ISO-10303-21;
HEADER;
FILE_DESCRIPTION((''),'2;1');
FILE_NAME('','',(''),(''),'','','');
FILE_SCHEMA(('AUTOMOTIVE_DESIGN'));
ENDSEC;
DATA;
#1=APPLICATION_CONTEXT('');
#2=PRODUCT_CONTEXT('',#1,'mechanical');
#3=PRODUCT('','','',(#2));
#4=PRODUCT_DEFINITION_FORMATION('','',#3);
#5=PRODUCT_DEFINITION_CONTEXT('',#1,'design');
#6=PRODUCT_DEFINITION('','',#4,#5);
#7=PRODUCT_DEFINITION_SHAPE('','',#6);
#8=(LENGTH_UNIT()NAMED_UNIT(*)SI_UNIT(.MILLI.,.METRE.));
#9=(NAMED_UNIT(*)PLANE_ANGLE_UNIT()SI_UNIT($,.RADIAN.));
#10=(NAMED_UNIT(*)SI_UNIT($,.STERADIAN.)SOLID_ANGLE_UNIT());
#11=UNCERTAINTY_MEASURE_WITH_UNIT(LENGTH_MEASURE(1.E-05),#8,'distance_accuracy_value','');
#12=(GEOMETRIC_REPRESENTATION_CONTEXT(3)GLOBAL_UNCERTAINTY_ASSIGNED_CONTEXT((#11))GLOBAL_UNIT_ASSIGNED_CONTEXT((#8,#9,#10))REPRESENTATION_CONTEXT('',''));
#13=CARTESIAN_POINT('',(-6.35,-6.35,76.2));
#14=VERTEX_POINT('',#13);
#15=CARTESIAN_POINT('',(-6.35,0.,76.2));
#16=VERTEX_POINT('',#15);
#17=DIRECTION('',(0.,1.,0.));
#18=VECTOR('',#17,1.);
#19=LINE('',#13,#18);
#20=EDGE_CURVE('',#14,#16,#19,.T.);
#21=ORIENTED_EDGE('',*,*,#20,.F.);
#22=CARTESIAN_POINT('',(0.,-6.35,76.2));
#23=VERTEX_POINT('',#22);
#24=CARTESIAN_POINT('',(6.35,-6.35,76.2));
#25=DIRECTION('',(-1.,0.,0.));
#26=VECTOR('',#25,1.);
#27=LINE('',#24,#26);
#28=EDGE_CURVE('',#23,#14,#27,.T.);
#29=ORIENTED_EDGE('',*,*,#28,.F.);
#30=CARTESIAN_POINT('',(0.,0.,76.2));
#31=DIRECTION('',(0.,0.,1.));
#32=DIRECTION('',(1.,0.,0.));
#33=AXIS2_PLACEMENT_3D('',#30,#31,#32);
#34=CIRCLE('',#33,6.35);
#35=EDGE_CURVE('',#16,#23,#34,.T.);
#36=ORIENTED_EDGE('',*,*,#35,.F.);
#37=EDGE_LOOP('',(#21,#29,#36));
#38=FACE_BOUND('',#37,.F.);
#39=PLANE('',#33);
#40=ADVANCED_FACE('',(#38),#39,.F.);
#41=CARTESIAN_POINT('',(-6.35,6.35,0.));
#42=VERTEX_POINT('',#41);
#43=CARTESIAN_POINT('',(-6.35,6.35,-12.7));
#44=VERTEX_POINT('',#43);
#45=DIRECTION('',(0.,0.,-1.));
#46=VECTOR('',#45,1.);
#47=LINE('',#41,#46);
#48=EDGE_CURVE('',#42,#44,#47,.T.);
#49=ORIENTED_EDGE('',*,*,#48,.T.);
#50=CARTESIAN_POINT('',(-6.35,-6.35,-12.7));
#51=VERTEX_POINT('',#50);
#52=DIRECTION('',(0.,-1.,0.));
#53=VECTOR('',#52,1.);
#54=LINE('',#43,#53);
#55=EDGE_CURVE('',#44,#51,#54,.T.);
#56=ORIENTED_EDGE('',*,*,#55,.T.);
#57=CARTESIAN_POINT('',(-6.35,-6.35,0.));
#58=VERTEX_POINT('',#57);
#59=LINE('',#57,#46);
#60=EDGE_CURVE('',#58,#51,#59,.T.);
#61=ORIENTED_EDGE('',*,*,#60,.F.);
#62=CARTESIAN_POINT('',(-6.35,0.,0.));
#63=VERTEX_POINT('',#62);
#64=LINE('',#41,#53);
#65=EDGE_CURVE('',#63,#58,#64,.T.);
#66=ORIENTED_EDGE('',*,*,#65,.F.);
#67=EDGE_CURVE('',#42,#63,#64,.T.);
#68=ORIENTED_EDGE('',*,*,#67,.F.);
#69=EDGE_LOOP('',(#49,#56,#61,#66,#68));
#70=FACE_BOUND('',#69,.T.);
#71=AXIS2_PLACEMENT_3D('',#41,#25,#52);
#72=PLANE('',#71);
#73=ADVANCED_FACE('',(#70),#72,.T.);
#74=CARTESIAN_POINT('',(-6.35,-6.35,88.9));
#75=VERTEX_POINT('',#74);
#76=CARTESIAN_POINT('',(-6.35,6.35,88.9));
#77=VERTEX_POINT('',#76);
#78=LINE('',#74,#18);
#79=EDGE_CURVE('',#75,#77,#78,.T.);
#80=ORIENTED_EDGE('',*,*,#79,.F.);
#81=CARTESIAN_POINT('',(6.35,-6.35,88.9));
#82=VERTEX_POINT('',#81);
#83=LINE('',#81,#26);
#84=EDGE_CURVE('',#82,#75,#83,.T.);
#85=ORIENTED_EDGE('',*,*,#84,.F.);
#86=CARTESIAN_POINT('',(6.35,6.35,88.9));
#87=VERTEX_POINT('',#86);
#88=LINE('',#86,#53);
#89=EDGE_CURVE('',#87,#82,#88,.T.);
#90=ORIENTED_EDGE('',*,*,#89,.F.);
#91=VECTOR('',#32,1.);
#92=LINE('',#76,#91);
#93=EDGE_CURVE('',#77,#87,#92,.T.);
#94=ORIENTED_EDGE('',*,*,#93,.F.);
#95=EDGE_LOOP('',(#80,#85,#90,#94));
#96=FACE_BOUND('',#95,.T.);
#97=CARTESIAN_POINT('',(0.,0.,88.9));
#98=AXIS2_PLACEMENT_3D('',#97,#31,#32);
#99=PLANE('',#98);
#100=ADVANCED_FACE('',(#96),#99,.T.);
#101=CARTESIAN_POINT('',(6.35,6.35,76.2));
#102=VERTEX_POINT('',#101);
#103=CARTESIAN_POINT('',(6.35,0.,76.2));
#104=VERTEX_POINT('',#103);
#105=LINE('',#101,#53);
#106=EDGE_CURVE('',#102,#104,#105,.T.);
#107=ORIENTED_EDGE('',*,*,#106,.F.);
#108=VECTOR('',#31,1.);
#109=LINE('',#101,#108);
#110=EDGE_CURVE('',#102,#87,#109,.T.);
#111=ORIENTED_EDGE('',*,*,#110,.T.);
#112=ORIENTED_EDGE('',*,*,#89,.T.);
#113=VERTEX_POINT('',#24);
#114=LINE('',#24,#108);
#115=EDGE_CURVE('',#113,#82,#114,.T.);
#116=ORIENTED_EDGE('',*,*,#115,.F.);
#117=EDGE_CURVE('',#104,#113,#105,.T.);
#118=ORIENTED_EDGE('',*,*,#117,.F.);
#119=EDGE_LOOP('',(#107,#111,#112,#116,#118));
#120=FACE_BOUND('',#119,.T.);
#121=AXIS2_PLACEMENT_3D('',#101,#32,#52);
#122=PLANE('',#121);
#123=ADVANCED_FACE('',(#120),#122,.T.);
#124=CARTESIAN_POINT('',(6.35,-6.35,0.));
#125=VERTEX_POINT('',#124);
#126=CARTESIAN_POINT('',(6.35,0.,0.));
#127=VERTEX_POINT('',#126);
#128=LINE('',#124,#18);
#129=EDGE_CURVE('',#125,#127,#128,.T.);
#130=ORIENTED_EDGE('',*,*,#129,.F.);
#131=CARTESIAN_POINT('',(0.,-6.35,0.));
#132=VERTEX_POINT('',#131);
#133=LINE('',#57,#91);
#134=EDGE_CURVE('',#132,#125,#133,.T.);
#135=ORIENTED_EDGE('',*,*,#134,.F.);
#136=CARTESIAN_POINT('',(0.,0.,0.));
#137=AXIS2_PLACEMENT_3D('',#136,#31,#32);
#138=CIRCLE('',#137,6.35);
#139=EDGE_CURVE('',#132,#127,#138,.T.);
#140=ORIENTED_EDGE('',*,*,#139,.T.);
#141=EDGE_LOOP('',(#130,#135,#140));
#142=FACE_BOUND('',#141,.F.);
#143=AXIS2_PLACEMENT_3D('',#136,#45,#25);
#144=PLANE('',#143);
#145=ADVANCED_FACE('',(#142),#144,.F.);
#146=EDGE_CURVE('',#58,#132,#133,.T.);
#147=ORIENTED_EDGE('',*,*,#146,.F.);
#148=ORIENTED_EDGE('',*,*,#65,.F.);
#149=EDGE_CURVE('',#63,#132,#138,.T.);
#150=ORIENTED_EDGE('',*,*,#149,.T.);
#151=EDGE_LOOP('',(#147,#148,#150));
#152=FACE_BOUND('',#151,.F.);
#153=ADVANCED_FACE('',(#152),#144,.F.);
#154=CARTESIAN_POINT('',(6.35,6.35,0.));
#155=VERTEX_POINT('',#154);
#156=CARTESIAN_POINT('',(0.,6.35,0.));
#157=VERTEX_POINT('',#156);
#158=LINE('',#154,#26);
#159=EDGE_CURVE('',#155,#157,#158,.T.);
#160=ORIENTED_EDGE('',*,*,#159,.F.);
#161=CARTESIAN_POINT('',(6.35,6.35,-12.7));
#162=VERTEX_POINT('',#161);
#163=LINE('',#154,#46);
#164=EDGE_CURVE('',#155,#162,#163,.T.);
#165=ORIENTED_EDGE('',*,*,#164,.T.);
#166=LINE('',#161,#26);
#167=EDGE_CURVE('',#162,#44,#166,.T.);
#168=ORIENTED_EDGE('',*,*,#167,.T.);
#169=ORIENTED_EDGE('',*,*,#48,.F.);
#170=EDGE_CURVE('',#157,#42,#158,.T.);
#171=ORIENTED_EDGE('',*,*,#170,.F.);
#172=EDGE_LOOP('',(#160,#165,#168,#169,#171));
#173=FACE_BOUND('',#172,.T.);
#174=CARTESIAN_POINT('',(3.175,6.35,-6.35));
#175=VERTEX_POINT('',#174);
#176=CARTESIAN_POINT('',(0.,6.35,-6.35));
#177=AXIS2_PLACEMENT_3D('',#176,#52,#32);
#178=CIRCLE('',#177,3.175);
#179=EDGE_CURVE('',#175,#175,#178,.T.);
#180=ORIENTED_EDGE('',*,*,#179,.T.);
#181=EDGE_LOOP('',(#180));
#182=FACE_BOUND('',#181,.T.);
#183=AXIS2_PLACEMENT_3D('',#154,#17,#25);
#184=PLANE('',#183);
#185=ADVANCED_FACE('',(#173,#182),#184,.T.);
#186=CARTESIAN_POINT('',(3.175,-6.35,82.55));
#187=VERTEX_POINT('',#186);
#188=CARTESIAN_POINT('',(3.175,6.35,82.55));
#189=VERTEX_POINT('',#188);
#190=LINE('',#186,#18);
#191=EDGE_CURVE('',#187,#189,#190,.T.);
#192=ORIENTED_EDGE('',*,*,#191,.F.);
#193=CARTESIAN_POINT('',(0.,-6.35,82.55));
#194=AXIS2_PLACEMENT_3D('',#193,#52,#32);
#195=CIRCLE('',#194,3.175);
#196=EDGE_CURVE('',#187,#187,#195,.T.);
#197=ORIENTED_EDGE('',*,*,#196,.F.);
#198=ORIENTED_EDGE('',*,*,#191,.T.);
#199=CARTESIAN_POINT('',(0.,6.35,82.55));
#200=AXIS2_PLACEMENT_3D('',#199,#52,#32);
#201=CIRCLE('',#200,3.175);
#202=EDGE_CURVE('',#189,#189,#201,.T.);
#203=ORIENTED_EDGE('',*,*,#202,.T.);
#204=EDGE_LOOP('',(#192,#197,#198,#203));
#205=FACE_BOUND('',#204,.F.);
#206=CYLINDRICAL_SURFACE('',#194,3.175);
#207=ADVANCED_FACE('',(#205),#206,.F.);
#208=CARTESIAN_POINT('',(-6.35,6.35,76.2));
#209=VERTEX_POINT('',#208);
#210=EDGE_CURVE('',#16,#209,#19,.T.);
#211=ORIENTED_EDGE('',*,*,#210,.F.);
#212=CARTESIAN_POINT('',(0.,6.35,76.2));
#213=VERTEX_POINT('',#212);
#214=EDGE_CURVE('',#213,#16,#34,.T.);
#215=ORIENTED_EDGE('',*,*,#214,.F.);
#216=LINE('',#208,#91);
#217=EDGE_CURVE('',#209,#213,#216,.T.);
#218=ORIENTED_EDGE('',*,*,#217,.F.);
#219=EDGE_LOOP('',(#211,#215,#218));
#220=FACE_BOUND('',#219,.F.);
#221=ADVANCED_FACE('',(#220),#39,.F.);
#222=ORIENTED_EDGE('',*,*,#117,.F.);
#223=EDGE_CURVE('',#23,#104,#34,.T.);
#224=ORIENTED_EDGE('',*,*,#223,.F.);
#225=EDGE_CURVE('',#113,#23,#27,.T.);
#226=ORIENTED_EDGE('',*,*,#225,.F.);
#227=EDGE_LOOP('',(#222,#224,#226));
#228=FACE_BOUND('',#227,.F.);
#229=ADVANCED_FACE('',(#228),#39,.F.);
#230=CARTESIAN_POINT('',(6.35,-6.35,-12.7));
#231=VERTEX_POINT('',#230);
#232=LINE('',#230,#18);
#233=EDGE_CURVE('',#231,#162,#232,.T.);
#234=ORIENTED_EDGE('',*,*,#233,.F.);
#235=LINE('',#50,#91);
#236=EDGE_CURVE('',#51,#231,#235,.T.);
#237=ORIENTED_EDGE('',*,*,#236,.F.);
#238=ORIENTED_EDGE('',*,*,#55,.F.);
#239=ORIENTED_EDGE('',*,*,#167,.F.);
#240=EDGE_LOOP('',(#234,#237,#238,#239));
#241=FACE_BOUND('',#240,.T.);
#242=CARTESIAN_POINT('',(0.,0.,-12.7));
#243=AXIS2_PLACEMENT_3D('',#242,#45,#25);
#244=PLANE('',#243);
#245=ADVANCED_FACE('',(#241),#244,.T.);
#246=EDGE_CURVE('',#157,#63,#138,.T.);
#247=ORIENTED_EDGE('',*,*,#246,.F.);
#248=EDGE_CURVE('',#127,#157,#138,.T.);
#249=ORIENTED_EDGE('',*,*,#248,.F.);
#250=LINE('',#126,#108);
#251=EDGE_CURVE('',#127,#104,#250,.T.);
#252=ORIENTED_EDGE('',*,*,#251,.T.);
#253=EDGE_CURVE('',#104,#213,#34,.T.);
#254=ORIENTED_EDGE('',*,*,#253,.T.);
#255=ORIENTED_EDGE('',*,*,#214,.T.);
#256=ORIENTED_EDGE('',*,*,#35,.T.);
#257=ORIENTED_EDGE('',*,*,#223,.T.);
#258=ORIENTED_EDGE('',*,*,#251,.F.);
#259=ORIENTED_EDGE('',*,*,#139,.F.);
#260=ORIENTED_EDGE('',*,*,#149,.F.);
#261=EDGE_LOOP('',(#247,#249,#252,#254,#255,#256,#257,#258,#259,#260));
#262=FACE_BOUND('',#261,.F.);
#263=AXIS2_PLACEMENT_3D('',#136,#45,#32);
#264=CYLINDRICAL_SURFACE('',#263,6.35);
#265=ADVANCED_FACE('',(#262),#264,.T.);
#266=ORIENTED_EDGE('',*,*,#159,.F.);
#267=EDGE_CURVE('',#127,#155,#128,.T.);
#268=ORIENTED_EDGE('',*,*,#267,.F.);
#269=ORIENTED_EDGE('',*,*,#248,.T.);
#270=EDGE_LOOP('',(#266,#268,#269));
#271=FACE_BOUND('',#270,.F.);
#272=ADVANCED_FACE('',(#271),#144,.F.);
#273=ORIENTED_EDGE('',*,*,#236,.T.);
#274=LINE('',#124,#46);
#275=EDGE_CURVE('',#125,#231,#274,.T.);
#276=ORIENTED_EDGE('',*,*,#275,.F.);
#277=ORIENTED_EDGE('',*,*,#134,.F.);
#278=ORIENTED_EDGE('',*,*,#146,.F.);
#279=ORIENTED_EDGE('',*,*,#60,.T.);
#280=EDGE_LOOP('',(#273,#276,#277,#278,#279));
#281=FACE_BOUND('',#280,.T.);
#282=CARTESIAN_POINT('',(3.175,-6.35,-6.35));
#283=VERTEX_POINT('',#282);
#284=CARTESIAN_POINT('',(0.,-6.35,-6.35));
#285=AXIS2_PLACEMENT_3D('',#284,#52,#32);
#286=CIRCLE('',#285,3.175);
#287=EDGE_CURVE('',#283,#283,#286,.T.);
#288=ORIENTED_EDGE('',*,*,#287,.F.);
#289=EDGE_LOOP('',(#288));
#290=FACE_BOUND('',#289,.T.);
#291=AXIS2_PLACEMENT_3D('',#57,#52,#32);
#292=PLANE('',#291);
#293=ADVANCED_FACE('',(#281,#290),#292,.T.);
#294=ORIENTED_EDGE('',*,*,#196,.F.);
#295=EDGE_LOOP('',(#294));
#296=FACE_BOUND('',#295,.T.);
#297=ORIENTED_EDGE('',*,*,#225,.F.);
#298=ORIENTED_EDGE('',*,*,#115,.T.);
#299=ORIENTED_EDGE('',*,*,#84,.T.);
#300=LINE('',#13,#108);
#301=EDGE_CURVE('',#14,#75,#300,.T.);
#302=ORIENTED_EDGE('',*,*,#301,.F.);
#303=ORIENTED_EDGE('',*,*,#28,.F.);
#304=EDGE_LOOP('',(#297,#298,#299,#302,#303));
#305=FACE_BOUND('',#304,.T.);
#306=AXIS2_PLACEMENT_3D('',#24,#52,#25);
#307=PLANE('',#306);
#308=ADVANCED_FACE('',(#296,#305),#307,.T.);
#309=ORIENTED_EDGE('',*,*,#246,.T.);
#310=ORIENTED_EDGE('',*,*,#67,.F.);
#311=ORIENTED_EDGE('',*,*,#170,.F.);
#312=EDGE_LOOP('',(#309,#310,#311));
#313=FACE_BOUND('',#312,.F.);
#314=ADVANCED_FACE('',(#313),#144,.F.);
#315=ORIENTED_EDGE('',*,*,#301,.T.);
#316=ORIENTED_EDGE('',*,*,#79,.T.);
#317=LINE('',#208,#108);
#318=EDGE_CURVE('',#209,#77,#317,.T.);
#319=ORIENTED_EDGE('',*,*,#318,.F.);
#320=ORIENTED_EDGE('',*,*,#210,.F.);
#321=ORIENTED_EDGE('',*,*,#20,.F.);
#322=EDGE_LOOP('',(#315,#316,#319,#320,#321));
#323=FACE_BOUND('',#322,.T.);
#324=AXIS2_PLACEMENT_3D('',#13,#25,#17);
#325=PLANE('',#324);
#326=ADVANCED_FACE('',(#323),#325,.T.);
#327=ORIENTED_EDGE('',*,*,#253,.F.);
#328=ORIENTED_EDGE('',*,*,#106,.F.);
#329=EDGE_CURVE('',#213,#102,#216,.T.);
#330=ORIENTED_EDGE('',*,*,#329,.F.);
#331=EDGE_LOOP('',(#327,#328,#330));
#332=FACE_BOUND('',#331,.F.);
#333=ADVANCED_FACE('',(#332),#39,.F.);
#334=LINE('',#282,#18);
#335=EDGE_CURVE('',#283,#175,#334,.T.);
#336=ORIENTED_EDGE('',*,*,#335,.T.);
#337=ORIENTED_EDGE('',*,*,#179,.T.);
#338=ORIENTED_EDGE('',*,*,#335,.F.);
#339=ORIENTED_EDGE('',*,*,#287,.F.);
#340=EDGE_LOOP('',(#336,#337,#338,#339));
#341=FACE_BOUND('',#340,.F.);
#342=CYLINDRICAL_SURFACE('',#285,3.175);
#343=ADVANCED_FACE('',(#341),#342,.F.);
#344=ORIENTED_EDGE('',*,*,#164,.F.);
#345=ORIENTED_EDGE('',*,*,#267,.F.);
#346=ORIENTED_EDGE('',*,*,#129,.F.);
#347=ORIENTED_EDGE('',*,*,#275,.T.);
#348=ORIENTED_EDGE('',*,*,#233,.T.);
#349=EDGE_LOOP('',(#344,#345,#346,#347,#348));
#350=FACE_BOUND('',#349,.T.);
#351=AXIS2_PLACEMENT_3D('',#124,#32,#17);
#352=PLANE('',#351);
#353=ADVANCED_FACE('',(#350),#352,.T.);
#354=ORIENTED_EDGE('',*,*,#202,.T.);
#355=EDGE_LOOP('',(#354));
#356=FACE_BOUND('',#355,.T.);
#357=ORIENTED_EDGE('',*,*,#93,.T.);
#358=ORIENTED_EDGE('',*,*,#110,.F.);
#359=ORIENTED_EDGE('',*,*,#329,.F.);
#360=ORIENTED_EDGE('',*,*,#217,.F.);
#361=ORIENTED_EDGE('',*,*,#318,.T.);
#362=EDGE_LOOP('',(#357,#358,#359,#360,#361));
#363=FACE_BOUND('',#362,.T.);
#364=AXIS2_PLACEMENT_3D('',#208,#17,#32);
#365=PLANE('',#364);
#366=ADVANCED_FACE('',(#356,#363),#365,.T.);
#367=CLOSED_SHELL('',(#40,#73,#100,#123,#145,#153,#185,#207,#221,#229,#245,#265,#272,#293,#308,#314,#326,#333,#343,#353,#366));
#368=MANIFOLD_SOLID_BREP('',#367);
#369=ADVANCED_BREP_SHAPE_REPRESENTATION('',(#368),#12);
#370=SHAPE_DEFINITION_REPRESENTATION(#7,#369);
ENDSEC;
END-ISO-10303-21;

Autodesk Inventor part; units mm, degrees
ref_plane "YZ Plane" through (0, 0, 0) normal (1, 0, 0) x (0, 1, 0)
ref_plane "XZ Plane" through (0, 0, 0) normal (0, 1, 0) x (-1, 0, 0)
ref_plane "XY Plane" through (0, 0, 0) normal (0, 0, 1) x (1, 0, 0)
sketch "Sketch1" plane through (0, 0, 0) normal (0, 0, 1) x (1, 0, 0)
  circle A0 centre (0, 0) radius 6.35
  dimension "d0" = 12.7
extrude "Extrusion1" add sketch "Sketch1" along normal blind 76.2
sketch "Sketch2" plane through (0, 0, 76.2) normal (0, 0, 1) x (1, 0, 0)
  line L0 (-6.35, 6.35) -> (6.35, 6.35)
  line L1 (6.35, 6.35) -> (6.35, -6.35)
  line L2 (6.35, -6.35) -> (-6.35, -6.35)
  line L3 (-6.35, -6.35) -> (-6.35, 6.35)
extrude "Extrusion2" add sketch "Sketch2" along normal blind 12.7
sketch "Sketch3" plane through (0, 0, 0) normal (0, 0, -1) x (-1, 0, 0)
  line L0 (-6.35, 6.35) -> (6.35, 6.35)
  line L1 (6.35, 6.35) -> (6.35, -6.35)
  line L2 (6.35, -6.35) -> (-6.35, -6.35)
  line L3 (-6.35, -6.35) -> (-6.35, 6.35)
extrude "Extrusion3" add sketch "Sketch3" along normal blind 12.7
sketch "Sketch4" plane through (-6.35, -6.35, 76.2) normal (0, -1, 0) x (1, 0, 0)
  line L0 (12.7, 0) -> (12.7, 12.7) projected
  circle A0 centre (6.35, 6.35) radius 3.175
  circle A1 centre (6.35, -82.55) radius 3.175
  line L1 (12.7, -76.2) -> (12.7, -88.9) projected
  point P0 (6.35, -76.2)
  dimension "d7" = 6.35
  dimension "d8" = 6.35
  dimension "d9" = 6.35
  dimension "d10" = 6.35
  dimension "d11" = 6.35
extrude "Extrusion4" cut sketch "Sketch4" against normal blind 25.4
properties part number "3 inch piston"
